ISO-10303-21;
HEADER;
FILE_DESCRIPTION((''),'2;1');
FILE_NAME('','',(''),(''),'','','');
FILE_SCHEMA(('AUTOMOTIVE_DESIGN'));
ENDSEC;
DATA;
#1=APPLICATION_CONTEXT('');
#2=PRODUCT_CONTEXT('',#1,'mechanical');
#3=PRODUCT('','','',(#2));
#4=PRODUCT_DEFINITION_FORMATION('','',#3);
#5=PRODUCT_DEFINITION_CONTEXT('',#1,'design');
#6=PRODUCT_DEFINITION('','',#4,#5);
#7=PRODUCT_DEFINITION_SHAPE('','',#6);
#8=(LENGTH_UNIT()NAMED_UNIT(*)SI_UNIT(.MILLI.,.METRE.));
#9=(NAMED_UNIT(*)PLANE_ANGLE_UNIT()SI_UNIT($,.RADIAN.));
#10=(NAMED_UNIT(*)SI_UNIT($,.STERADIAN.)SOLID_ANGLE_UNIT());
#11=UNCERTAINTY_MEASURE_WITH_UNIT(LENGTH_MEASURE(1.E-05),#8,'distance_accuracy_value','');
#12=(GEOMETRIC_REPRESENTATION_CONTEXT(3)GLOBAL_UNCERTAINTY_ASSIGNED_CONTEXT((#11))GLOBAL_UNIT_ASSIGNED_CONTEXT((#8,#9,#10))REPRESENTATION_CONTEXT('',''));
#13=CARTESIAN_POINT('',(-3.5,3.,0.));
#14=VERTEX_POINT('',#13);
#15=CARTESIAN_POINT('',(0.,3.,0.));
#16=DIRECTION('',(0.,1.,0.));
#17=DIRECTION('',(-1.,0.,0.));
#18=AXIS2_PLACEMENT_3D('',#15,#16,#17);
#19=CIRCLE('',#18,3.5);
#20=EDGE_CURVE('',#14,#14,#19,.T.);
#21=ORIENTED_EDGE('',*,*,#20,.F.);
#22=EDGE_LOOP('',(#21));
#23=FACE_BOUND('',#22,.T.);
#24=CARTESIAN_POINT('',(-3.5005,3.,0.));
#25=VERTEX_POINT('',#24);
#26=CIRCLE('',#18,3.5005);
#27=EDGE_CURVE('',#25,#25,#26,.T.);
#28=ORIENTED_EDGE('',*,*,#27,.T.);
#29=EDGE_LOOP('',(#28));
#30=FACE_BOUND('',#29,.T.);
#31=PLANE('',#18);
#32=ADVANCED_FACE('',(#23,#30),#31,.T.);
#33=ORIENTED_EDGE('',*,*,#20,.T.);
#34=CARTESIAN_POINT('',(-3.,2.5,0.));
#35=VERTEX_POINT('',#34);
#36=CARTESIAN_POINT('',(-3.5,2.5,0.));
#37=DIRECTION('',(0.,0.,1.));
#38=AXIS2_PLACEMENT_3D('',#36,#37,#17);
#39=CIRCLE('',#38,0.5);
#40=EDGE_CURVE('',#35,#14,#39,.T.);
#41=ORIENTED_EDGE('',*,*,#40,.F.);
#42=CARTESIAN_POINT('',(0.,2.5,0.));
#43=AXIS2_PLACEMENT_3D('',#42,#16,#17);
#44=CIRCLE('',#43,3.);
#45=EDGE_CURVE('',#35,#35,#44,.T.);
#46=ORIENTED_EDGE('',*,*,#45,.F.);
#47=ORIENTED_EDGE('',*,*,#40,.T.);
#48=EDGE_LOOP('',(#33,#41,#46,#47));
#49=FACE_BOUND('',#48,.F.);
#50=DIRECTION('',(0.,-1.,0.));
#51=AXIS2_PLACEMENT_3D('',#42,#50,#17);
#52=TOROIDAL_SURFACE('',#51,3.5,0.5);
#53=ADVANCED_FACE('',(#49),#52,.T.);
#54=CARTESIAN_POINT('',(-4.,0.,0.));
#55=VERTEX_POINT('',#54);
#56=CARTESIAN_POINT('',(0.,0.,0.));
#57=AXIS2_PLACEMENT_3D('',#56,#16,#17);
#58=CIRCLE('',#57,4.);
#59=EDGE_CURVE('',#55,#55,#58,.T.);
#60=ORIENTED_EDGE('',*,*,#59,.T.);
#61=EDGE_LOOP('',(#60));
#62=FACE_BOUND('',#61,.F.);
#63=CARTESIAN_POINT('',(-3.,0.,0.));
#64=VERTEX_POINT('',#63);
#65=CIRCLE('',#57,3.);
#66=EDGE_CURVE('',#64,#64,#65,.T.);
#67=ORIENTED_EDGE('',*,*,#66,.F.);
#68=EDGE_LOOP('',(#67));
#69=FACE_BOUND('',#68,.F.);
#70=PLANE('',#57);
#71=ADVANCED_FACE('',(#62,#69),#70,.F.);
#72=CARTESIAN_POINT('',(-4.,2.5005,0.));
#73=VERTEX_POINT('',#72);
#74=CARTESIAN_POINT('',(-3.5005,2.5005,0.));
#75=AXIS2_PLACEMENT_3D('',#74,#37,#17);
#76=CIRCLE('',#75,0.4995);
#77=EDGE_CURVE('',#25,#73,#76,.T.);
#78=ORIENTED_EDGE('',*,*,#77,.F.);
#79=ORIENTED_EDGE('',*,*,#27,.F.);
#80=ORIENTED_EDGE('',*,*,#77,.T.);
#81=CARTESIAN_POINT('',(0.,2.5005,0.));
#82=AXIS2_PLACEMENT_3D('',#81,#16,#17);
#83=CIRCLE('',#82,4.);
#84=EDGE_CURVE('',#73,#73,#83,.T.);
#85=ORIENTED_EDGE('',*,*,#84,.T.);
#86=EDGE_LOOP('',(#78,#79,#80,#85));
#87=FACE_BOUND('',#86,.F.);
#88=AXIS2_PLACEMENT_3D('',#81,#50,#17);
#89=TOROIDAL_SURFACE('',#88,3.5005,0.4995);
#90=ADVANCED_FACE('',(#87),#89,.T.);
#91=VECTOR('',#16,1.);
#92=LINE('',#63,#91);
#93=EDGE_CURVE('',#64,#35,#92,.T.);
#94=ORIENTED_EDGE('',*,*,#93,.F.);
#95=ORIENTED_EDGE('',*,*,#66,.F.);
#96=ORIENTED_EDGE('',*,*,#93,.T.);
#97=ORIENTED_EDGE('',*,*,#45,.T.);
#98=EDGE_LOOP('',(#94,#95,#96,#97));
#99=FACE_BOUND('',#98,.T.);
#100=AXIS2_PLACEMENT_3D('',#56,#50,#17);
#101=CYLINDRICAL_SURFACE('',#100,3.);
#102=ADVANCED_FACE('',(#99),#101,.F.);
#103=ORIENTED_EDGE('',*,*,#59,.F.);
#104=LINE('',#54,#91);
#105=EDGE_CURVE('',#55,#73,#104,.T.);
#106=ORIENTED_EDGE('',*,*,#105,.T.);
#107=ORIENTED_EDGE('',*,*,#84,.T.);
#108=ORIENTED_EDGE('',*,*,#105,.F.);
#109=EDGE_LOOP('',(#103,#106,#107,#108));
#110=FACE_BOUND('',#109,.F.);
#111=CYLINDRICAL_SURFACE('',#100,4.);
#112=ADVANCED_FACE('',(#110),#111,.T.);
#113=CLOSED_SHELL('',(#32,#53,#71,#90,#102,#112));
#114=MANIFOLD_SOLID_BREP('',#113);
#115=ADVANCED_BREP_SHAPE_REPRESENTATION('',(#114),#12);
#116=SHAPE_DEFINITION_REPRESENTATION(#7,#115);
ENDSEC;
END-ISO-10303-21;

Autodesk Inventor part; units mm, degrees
ref_plane "YZ Plane" through (0, 0, 0) normal (1, 0, 0) x (0, 1, 0)
ref_plane "XZ Plane" through (0, 0, 0) normal (0, 1, 0) x (-1, 0, 0)
ref_plane "XY Plane" through (0, 0, 0) normal (0, 0, 1) x (1, 0, 0)
sketch "Sketch1" plane through (0, 0, 0) normal (0, 1, 0) x (-1, 0, 0)
  circle A0 centre (0, 0) radius 4
  circle A1 centre (0, 0) radius 3
extrude "Extrusion1" add sketch "Sketch1" along normal blind 3
fillet "Fillet1" radius 0.5 1 edges at (3, 3, 0)
fillet "Fillet2" radius 0.5 1 edges at (4, 3, 0)
properties part number "Chimera Hetsink Brass Insert" material "Brass"
